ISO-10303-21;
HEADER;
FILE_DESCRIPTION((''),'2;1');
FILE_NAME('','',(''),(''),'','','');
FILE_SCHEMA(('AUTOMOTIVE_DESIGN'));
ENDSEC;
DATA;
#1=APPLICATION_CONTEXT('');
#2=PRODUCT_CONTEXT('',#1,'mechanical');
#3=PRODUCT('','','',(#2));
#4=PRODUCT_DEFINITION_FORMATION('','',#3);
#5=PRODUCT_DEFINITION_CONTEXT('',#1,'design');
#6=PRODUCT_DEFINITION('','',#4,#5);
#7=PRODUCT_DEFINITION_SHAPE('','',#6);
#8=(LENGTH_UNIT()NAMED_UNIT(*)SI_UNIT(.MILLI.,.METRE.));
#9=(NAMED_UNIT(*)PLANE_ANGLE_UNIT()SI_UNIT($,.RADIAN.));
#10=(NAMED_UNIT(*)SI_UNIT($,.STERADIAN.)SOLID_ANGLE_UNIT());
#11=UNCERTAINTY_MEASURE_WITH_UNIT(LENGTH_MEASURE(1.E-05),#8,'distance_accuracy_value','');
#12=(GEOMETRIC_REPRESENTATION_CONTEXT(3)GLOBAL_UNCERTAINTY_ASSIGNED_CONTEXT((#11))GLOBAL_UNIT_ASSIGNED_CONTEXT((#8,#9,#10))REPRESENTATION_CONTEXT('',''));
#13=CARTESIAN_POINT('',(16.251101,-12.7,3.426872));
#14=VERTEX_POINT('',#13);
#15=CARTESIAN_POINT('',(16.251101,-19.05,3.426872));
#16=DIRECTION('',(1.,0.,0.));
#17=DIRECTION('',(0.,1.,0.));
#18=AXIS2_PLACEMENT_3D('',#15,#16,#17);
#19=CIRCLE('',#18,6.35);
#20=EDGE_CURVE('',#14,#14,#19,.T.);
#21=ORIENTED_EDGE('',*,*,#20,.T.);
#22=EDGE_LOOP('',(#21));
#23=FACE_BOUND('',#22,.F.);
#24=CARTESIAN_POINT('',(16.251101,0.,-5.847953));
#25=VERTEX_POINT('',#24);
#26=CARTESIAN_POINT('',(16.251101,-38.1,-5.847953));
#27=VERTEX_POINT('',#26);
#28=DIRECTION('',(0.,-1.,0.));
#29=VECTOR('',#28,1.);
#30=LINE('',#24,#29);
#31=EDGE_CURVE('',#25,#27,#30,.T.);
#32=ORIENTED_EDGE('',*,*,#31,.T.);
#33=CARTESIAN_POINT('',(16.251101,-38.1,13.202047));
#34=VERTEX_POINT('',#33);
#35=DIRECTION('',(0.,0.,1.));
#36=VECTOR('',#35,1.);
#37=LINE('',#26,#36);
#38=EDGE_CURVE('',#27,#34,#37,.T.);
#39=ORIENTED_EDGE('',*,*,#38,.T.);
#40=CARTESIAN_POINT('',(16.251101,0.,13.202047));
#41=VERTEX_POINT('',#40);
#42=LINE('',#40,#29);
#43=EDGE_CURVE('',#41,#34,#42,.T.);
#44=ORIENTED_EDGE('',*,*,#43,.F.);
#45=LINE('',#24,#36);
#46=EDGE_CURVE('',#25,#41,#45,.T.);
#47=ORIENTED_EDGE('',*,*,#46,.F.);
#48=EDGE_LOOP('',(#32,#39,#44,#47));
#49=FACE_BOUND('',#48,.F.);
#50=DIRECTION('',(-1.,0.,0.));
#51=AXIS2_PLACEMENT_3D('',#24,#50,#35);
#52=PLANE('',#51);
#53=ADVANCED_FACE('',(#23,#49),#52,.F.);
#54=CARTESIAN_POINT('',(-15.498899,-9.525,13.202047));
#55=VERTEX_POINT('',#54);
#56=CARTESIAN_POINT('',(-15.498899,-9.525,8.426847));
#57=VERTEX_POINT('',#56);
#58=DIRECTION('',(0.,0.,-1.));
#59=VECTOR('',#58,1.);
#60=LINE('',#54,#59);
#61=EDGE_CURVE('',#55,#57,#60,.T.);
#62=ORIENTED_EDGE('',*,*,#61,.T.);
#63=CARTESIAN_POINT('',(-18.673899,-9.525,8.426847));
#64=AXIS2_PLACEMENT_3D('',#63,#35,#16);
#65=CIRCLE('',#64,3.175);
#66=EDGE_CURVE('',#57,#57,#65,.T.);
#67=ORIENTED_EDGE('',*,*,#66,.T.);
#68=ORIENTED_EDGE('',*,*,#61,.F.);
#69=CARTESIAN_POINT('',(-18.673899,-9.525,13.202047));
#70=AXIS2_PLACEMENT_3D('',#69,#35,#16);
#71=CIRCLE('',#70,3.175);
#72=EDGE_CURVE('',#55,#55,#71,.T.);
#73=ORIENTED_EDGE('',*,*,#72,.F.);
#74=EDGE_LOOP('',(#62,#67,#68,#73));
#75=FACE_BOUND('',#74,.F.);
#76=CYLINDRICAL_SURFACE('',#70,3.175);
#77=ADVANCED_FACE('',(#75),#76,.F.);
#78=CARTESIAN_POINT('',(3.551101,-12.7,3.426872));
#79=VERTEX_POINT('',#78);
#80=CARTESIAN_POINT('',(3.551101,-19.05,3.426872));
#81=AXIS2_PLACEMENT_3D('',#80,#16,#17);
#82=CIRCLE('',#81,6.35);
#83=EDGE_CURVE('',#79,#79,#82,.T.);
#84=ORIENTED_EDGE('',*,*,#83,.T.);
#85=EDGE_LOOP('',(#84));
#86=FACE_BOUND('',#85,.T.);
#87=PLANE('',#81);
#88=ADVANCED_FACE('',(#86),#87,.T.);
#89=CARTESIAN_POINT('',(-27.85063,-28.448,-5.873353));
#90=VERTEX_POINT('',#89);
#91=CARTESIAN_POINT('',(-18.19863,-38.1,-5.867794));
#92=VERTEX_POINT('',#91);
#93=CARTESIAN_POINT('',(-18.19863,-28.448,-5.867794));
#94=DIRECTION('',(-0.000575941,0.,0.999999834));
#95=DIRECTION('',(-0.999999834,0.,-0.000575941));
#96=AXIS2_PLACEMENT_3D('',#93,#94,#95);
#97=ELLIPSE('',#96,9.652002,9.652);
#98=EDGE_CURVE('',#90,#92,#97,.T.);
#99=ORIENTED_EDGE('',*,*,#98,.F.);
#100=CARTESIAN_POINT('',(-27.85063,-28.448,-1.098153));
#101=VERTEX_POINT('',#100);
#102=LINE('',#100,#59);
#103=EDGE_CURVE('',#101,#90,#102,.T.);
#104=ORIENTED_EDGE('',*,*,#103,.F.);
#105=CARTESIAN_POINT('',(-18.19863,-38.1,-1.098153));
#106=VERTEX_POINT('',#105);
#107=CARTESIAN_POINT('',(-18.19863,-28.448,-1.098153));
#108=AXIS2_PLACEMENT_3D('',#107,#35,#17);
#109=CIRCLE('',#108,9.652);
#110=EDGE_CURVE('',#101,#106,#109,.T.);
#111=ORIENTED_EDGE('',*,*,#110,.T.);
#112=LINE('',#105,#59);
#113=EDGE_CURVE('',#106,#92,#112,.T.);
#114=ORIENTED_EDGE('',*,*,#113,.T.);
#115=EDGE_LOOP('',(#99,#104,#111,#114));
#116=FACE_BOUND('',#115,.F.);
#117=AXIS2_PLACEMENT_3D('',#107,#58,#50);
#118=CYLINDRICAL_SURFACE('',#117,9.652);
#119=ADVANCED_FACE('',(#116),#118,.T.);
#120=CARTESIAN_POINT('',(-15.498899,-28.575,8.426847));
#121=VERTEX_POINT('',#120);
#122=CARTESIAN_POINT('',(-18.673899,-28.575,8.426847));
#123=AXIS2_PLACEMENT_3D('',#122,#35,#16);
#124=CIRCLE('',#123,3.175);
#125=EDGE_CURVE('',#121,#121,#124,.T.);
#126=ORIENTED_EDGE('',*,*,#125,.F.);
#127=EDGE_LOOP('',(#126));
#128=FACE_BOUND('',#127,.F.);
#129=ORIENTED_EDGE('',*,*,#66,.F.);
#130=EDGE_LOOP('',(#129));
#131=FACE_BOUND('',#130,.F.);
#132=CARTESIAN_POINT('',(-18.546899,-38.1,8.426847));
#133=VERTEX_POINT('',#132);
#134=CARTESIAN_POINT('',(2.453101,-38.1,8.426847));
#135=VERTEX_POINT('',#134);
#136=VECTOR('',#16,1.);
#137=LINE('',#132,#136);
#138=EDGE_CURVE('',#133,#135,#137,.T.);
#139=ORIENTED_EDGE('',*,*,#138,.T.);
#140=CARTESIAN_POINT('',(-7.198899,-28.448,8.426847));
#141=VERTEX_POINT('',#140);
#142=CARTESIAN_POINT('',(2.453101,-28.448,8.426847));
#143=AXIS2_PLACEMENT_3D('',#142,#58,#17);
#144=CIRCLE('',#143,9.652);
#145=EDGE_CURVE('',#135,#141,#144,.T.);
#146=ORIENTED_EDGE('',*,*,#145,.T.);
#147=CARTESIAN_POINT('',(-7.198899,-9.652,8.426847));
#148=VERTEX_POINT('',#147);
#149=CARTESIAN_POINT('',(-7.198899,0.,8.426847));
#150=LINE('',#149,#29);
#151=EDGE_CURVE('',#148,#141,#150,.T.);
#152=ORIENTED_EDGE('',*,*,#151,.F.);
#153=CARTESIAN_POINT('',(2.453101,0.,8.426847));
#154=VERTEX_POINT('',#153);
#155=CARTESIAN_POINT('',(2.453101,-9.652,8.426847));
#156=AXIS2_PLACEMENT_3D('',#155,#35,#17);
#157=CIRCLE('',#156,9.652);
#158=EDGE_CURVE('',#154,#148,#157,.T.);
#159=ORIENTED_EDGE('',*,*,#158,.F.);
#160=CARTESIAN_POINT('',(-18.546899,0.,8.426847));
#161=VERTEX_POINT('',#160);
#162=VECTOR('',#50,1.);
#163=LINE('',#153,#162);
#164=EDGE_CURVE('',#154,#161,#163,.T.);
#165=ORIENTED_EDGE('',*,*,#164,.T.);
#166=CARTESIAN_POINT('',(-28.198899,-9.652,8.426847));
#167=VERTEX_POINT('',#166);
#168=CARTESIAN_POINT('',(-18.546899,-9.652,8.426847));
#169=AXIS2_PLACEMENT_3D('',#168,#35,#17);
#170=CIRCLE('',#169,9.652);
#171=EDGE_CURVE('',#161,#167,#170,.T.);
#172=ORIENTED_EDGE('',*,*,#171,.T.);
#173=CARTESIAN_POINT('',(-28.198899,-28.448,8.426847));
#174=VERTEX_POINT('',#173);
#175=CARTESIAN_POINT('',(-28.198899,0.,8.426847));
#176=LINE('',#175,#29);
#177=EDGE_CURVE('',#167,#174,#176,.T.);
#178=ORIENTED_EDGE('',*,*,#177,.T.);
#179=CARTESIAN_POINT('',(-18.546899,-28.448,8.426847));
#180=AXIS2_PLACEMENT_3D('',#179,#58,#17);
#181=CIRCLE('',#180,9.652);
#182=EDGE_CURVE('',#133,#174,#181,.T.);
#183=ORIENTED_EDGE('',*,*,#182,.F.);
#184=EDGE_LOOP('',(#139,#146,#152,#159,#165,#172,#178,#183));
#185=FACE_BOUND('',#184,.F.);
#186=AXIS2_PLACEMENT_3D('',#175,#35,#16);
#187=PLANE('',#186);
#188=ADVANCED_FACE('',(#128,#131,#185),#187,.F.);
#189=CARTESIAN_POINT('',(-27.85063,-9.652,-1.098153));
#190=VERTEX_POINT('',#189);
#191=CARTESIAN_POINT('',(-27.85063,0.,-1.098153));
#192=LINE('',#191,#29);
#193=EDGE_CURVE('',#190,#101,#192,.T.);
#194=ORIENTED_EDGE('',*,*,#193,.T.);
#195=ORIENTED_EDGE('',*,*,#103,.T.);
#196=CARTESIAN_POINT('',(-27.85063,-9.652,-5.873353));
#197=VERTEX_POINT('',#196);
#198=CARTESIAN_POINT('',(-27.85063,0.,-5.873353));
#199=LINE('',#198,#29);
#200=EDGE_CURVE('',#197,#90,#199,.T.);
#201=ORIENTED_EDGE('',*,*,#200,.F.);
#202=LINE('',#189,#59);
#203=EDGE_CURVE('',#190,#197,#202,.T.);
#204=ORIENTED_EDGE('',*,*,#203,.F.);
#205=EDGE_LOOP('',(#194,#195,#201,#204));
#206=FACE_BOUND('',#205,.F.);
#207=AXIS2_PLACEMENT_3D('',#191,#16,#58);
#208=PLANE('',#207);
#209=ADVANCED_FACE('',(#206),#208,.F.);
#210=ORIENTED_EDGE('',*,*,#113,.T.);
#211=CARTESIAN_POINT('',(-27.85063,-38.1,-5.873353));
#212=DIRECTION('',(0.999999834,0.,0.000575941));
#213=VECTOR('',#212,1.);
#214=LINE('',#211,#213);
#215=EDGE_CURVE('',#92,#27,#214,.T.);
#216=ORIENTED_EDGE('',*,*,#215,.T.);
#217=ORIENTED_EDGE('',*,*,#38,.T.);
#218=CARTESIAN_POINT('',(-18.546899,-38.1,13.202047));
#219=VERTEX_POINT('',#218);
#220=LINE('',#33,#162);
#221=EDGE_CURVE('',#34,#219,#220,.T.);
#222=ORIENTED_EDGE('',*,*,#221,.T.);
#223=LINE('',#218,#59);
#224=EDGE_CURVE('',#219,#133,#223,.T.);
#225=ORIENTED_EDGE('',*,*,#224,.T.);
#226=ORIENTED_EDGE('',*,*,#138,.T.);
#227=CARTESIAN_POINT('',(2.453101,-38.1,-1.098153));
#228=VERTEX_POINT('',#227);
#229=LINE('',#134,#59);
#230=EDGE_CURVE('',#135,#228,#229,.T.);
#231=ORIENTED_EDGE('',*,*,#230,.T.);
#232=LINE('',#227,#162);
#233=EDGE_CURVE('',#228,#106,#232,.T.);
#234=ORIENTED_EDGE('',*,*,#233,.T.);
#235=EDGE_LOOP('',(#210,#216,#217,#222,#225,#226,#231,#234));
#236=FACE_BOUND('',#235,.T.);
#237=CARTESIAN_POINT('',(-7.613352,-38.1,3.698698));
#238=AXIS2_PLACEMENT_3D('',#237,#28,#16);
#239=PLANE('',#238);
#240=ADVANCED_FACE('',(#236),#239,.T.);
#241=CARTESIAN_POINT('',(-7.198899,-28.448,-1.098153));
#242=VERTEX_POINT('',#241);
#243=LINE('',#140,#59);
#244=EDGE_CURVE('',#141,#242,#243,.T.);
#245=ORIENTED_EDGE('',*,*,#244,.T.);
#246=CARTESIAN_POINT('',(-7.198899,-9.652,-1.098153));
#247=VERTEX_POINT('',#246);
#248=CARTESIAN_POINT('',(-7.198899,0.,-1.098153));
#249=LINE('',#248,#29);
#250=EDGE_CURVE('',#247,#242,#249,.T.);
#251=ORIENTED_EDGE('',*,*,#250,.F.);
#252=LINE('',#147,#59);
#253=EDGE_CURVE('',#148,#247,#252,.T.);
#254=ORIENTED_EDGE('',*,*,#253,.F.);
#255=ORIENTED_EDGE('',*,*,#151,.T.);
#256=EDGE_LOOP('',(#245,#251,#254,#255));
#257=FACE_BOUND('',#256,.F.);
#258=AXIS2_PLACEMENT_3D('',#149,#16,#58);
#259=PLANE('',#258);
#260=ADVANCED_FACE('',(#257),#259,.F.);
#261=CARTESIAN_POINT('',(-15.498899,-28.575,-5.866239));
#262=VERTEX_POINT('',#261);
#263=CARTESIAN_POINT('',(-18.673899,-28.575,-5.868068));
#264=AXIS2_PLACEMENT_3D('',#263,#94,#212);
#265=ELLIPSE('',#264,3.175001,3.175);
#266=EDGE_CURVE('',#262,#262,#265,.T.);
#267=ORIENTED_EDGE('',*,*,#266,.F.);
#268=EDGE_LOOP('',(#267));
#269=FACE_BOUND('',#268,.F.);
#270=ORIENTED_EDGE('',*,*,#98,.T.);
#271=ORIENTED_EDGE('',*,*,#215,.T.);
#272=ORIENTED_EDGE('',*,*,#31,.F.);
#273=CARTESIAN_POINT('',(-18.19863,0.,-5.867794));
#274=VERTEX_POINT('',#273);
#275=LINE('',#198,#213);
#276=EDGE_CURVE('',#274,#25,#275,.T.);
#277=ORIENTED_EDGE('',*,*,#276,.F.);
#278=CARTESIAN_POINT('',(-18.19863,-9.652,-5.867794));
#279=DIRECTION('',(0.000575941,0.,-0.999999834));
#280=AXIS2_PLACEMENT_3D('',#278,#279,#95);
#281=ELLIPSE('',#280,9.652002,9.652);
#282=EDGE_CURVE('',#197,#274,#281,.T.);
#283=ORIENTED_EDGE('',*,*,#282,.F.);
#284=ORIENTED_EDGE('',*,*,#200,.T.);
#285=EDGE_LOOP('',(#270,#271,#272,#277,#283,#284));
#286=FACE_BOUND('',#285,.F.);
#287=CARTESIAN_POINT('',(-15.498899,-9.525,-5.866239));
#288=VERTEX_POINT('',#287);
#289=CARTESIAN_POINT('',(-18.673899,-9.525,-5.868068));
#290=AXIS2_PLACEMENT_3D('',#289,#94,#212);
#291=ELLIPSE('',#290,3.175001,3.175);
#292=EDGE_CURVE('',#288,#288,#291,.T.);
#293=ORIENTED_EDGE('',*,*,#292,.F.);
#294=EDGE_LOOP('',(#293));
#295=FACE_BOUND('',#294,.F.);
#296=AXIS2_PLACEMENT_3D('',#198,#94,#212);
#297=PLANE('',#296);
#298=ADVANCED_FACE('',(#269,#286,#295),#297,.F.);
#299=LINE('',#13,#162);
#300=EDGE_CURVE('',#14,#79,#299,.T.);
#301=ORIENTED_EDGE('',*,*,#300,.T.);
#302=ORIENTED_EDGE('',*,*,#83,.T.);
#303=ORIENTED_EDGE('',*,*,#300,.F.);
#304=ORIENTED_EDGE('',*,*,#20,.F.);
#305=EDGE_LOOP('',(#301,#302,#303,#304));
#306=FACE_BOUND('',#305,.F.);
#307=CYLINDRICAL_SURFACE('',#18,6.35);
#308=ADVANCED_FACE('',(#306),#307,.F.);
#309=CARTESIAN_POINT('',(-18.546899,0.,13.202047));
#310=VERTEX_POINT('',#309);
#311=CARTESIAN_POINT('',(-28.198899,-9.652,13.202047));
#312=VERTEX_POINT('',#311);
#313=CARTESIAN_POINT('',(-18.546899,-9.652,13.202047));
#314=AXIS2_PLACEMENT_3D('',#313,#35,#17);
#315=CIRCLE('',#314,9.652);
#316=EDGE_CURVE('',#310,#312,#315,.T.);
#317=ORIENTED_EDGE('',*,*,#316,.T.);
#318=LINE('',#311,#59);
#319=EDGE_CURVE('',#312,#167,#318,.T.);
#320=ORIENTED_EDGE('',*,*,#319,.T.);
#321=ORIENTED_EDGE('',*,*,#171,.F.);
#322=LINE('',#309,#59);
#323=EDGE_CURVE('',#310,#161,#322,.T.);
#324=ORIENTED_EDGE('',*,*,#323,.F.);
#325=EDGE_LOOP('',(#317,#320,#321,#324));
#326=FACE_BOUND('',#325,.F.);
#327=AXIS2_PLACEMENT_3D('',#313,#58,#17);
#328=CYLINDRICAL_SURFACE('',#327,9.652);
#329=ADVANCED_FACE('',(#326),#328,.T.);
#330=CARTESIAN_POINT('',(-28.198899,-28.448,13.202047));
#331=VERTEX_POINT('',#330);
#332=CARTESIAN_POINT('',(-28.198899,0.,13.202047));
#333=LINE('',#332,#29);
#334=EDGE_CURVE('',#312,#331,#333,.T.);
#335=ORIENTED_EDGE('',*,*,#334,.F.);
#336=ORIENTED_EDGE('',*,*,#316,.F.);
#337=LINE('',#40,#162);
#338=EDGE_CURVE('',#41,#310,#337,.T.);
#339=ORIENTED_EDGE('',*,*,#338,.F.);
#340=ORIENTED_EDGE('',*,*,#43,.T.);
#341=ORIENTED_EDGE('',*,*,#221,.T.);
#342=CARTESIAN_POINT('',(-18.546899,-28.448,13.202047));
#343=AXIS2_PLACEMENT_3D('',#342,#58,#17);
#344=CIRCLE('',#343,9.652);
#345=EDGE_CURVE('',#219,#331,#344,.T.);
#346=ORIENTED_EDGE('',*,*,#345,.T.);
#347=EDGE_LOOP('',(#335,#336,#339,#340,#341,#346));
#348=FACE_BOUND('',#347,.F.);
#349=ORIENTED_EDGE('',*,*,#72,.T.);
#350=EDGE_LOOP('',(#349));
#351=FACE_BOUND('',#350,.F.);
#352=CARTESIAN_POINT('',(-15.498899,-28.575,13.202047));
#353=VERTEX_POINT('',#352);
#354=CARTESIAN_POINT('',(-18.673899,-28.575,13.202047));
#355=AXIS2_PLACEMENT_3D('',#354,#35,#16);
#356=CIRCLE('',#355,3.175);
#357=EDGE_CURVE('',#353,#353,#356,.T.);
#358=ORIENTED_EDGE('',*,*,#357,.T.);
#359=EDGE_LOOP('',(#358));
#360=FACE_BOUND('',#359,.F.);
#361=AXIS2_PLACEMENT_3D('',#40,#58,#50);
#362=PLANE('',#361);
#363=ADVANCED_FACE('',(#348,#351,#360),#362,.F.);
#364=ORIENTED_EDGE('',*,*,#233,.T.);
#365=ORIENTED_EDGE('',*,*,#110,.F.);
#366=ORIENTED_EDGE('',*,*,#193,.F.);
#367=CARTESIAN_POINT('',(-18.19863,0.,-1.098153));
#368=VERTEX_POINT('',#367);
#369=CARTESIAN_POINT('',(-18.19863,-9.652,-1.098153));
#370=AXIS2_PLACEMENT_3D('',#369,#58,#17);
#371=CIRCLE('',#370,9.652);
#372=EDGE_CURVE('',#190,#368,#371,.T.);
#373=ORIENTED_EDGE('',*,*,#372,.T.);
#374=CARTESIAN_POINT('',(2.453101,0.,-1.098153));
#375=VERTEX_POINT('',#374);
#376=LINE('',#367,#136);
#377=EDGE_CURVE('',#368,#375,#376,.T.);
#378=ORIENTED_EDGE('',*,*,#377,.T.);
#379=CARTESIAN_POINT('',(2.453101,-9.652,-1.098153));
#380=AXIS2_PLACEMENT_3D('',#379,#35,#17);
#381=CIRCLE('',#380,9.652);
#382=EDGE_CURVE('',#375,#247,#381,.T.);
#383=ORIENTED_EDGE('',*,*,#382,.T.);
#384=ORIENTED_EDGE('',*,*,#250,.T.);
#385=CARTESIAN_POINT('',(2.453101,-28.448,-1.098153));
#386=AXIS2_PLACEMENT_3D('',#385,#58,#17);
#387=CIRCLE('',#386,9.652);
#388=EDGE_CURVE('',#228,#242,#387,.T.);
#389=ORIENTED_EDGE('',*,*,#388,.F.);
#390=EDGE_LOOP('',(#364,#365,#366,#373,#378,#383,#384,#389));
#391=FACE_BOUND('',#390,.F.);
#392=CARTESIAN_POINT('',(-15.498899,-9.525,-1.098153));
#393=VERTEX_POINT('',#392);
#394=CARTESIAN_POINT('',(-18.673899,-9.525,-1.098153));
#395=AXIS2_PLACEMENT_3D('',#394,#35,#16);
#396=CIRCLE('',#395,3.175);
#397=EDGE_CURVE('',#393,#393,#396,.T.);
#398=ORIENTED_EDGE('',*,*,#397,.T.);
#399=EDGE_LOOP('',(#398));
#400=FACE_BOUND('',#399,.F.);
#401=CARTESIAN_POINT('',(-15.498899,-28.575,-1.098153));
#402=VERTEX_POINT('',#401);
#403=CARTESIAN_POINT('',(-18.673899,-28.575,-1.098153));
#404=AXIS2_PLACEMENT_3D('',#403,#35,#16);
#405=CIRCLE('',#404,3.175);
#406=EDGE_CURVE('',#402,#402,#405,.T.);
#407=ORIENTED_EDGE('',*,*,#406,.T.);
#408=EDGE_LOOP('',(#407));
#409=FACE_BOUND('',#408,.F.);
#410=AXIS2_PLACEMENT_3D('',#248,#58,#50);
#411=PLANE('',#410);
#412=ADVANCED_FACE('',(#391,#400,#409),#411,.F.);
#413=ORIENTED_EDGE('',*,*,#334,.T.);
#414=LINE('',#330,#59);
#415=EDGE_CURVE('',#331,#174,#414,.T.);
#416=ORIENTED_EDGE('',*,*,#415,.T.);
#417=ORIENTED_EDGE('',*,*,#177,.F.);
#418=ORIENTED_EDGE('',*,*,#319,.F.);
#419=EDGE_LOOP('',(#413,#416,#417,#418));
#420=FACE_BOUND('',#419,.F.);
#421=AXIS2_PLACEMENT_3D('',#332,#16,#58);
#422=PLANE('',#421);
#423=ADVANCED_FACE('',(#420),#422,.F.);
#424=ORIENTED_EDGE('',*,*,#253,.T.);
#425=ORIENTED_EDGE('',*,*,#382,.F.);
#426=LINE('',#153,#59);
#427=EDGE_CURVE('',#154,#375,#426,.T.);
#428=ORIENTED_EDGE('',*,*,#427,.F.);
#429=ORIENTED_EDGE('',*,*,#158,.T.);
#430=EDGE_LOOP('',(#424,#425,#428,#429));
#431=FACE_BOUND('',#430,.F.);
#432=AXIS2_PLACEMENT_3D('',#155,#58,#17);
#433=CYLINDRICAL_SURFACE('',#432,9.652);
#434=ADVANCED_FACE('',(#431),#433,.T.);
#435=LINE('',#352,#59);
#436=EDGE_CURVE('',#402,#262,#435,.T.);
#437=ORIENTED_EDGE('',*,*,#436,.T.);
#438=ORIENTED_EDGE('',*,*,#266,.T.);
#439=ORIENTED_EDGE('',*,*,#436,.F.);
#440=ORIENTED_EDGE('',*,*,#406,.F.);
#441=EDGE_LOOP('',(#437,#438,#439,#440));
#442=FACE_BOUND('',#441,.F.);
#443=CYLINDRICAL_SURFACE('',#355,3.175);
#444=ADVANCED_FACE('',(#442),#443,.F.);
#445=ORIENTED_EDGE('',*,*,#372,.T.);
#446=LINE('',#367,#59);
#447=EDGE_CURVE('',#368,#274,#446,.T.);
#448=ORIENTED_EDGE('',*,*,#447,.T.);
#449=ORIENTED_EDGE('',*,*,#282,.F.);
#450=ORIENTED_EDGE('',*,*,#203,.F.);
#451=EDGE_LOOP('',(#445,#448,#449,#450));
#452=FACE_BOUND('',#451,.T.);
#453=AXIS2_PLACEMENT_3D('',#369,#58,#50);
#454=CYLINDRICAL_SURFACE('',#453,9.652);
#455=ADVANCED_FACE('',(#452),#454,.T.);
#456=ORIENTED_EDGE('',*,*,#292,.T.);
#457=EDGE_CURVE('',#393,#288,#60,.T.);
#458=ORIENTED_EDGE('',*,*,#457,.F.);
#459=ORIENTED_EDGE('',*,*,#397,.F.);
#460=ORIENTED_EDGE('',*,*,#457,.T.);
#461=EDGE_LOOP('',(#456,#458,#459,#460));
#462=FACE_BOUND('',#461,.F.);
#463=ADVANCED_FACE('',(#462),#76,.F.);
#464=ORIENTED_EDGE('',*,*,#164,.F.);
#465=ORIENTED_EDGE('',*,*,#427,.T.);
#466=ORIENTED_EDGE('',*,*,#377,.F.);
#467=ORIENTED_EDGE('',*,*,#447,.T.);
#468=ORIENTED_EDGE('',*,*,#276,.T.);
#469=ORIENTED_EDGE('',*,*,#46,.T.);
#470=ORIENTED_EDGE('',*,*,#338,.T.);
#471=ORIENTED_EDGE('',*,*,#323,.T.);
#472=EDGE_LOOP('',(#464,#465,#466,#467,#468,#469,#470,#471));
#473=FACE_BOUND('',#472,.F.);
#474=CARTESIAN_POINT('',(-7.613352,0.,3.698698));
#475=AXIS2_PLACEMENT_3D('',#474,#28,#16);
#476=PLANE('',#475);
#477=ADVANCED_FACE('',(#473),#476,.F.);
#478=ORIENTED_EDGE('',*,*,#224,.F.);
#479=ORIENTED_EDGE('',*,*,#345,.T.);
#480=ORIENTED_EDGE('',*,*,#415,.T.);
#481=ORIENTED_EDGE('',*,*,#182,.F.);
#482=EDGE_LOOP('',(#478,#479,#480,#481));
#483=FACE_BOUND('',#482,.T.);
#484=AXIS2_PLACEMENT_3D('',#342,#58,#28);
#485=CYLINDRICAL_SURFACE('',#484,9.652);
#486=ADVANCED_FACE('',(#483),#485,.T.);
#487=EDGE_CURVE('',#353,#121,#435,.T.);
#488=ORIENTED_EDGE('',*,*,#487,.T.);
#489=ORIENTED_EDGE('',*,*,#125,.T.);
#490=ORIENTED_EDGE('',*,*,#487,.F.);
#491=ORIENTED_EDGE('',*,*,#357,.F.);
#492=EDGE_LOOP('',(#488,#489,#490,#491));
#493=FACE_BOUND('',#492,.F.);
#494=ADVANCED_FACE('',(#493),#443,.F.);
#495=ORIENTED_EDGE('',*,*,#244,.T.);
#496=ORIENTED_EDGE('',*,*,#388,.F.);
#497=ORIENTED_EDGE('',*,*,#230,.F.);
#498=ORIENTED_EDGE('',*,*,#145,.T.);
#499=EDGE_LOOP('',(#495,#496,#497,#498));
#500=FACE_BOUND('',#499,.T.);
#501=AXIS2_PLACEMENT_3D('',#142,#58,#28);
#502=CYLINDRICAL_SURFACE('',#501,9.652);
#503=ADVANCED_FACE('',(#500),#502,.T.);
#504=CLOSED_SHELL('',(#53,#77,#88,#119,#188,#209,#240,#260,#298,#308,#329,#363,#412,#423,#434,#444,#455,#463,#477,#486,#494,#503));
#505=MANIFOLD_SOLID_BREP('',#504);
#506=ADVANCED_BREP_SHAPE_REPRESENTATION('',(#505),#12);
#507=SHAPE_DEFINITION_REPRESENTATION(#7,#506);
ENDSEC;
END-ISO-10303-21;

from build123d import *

# Parameters (mm, degrees)
F1_DEPTH = 38.1
F2_R     = 3.175
F3_DEPTH = 38.1
F4_R     = 6.35
F5_DEPTH = 12.7
F6_R     = 9.652


with BuildPart() as f1:
    # F0 (on Front) → F1 (new body)
    with BuildSketch(Plane.XZ):
        Polygon((-27.85063, -5.873353), (16.251101, -5.847953), (16.251101, 13.202047), (-28.198899, 13.202047), (-28.198899, 8.426847), (-7.198899, 8.426847), (-7.198899, -1.098153), (-27.85063, -1.098153), align=None)
    extrude(amount=F1_DEPTH)

    # F2 (on face) → F3 (cut)
    with BuildSketch(Plane.XY.offset(13.202047)):
        with Locations((-18.673899, -28.575)):
            Circle(F2_R)
        with Locations((-18.673899, -9.525)):
            Circle(F2_R)
    extrude(amount=-F3_DEPTH, mode=Mode.SUBTRACT)

    # F4 (on face) → F5 (cut)
    with BuildSketch(Plane.YZ.offset(16.251101)):
        with Locations((-19.05, 3.426872)):
            Circle(F4_R)
    extrude(amount=-F5_DEPTH, mode=Mode.SUBTRACT)

    # F6
    f6_edges = [f1.edges().sort_by_distance(p)[0] for p in [
        (-28.198899, -38.1, 10.814447),
        (-28.198899, 0, 10.814447),
        (-27.85063, 0, -3.485753),
        (-27.85063, -38.1, -3.485753),
        (-7.198899, -38.1, 3.664347),
        (-7.198899, 0, 3.664347),
    ]]
    fillet(f6_edges, radius=F6_R)


solid = f1.part
